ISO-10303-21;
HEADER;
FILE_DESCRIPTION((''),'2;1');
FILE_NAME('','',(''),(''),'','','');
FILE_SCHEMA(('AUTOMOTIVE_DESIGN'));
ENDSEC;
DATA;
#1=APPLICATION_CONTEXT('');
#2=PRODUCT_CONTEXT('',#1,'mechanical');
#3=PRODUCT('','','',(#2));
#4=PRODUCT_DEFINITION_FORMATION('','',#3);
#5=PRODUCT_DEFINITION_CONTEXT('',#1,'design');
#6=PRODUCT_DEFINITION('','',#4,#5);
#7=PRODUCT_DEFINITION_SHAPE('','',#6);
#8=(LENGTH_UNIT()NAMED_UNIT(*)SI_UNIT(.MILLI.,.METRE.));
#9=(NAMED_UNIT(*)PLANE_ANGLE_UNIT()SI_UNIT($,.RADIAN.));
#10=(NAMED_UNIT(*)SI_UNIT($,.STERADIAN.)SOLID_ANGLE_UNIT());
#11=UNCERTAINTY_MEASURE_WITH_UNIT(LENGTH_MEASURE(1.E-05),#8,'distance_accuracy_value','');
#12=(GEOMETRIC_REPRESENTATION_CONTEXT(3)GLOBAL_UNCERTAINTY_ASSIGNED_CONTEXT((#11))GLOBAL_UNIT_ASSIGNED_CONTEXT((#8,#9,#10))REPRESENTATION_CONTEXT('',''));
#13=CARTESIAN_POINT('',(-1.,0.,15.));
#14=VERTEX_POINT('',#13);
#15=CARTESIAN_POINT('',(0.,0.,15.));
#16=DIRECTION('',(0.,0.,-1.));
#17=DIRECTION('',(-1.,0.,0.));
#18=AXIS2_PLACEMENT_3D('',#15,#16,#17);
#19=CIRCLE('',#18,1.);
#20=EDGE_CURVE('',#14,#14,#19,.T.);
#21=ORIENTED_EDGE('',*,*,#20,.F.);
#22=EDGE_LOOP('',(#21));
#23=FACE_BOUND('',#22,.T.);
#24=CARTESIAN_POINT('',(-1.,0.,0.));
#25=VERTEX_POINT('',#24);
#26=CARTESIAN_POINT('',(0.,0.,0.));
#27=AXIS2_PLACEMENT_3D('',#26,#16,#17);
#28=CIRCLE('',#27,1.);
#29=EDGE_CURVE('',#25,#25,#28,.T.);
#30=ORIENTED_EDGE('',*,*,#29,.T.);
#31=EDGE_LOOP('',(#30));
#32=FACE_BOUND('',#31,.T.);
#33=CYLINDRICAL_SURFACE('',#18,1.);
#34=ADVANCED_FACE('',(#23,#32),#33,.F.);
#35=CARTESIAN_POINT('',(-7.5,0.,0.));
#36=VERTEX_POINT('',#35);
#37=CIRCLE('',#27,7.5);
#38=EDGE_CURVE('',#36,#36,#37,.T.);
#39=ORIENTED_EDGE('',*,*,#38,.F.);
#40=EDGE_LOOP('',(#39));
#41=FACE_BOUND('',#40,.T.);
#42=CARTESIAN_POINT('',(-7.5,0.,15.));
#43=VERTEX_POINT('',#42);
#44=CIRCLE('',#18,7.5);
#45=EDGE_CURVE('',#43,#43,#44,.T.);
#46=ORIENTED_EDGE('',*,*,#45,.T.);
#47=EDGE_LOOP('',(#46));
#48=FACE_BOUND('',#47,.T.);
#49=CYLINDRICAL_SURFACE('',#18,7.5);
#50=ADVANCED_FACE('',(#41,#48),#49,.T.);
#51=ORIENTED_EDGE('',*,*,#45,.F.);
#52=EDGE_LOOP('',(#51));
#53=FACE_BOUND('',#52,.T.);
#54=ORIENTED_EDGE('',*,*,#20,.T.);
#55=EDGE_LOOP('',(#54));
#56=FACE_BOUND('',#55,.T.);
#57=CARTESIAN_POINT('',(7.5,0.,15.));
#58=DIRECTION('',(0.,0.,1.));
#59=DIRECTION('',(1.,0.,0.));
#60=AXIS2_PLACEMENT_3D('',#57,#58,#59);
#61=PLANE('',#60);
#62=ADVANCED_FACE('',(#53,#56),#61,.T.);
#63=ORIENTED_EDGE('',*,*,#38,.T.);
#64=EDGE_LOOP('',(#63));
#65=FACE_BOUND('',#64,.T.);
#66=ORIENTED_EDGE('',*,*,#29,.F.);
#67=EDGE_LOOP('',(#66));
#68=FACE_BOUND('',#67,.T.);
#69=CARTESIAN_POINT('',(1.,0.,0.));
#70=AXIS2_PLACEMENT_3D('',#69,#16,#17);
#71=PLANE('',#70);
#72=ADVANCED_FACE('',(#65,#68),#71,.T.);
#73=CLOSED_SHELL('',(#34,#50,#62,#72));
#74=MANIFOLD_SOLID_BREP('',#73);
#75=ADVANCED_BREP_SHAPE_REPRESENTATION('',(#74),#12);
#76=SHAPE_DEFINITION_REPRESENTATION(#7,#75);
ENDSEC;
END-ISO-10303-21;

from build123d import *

# Parameters (mm, degrees)
ESQUISSE1_W = 6.5
ESQUISSE1_H = 15


with BuildPart() as part:
    # Esquisse1 → Révolution1 (revolve)
    with BuildSketch(Plane.XZ, mode=Mode.PRIVATE) as r_volution1_sk:
        with Locations((4.25, 7.5)):
            Rectangle(ESQUISSE1_W, ESQUISSE1_H)
    revolve(r_volution1_sk.sketch.rotate(Axis((0, 0, 15), (0, 0, -1)), 180), axis=Axis((0, 0, 15), (0, 0, -1)))  # turned: the seam where the file's is


solid = part.part
